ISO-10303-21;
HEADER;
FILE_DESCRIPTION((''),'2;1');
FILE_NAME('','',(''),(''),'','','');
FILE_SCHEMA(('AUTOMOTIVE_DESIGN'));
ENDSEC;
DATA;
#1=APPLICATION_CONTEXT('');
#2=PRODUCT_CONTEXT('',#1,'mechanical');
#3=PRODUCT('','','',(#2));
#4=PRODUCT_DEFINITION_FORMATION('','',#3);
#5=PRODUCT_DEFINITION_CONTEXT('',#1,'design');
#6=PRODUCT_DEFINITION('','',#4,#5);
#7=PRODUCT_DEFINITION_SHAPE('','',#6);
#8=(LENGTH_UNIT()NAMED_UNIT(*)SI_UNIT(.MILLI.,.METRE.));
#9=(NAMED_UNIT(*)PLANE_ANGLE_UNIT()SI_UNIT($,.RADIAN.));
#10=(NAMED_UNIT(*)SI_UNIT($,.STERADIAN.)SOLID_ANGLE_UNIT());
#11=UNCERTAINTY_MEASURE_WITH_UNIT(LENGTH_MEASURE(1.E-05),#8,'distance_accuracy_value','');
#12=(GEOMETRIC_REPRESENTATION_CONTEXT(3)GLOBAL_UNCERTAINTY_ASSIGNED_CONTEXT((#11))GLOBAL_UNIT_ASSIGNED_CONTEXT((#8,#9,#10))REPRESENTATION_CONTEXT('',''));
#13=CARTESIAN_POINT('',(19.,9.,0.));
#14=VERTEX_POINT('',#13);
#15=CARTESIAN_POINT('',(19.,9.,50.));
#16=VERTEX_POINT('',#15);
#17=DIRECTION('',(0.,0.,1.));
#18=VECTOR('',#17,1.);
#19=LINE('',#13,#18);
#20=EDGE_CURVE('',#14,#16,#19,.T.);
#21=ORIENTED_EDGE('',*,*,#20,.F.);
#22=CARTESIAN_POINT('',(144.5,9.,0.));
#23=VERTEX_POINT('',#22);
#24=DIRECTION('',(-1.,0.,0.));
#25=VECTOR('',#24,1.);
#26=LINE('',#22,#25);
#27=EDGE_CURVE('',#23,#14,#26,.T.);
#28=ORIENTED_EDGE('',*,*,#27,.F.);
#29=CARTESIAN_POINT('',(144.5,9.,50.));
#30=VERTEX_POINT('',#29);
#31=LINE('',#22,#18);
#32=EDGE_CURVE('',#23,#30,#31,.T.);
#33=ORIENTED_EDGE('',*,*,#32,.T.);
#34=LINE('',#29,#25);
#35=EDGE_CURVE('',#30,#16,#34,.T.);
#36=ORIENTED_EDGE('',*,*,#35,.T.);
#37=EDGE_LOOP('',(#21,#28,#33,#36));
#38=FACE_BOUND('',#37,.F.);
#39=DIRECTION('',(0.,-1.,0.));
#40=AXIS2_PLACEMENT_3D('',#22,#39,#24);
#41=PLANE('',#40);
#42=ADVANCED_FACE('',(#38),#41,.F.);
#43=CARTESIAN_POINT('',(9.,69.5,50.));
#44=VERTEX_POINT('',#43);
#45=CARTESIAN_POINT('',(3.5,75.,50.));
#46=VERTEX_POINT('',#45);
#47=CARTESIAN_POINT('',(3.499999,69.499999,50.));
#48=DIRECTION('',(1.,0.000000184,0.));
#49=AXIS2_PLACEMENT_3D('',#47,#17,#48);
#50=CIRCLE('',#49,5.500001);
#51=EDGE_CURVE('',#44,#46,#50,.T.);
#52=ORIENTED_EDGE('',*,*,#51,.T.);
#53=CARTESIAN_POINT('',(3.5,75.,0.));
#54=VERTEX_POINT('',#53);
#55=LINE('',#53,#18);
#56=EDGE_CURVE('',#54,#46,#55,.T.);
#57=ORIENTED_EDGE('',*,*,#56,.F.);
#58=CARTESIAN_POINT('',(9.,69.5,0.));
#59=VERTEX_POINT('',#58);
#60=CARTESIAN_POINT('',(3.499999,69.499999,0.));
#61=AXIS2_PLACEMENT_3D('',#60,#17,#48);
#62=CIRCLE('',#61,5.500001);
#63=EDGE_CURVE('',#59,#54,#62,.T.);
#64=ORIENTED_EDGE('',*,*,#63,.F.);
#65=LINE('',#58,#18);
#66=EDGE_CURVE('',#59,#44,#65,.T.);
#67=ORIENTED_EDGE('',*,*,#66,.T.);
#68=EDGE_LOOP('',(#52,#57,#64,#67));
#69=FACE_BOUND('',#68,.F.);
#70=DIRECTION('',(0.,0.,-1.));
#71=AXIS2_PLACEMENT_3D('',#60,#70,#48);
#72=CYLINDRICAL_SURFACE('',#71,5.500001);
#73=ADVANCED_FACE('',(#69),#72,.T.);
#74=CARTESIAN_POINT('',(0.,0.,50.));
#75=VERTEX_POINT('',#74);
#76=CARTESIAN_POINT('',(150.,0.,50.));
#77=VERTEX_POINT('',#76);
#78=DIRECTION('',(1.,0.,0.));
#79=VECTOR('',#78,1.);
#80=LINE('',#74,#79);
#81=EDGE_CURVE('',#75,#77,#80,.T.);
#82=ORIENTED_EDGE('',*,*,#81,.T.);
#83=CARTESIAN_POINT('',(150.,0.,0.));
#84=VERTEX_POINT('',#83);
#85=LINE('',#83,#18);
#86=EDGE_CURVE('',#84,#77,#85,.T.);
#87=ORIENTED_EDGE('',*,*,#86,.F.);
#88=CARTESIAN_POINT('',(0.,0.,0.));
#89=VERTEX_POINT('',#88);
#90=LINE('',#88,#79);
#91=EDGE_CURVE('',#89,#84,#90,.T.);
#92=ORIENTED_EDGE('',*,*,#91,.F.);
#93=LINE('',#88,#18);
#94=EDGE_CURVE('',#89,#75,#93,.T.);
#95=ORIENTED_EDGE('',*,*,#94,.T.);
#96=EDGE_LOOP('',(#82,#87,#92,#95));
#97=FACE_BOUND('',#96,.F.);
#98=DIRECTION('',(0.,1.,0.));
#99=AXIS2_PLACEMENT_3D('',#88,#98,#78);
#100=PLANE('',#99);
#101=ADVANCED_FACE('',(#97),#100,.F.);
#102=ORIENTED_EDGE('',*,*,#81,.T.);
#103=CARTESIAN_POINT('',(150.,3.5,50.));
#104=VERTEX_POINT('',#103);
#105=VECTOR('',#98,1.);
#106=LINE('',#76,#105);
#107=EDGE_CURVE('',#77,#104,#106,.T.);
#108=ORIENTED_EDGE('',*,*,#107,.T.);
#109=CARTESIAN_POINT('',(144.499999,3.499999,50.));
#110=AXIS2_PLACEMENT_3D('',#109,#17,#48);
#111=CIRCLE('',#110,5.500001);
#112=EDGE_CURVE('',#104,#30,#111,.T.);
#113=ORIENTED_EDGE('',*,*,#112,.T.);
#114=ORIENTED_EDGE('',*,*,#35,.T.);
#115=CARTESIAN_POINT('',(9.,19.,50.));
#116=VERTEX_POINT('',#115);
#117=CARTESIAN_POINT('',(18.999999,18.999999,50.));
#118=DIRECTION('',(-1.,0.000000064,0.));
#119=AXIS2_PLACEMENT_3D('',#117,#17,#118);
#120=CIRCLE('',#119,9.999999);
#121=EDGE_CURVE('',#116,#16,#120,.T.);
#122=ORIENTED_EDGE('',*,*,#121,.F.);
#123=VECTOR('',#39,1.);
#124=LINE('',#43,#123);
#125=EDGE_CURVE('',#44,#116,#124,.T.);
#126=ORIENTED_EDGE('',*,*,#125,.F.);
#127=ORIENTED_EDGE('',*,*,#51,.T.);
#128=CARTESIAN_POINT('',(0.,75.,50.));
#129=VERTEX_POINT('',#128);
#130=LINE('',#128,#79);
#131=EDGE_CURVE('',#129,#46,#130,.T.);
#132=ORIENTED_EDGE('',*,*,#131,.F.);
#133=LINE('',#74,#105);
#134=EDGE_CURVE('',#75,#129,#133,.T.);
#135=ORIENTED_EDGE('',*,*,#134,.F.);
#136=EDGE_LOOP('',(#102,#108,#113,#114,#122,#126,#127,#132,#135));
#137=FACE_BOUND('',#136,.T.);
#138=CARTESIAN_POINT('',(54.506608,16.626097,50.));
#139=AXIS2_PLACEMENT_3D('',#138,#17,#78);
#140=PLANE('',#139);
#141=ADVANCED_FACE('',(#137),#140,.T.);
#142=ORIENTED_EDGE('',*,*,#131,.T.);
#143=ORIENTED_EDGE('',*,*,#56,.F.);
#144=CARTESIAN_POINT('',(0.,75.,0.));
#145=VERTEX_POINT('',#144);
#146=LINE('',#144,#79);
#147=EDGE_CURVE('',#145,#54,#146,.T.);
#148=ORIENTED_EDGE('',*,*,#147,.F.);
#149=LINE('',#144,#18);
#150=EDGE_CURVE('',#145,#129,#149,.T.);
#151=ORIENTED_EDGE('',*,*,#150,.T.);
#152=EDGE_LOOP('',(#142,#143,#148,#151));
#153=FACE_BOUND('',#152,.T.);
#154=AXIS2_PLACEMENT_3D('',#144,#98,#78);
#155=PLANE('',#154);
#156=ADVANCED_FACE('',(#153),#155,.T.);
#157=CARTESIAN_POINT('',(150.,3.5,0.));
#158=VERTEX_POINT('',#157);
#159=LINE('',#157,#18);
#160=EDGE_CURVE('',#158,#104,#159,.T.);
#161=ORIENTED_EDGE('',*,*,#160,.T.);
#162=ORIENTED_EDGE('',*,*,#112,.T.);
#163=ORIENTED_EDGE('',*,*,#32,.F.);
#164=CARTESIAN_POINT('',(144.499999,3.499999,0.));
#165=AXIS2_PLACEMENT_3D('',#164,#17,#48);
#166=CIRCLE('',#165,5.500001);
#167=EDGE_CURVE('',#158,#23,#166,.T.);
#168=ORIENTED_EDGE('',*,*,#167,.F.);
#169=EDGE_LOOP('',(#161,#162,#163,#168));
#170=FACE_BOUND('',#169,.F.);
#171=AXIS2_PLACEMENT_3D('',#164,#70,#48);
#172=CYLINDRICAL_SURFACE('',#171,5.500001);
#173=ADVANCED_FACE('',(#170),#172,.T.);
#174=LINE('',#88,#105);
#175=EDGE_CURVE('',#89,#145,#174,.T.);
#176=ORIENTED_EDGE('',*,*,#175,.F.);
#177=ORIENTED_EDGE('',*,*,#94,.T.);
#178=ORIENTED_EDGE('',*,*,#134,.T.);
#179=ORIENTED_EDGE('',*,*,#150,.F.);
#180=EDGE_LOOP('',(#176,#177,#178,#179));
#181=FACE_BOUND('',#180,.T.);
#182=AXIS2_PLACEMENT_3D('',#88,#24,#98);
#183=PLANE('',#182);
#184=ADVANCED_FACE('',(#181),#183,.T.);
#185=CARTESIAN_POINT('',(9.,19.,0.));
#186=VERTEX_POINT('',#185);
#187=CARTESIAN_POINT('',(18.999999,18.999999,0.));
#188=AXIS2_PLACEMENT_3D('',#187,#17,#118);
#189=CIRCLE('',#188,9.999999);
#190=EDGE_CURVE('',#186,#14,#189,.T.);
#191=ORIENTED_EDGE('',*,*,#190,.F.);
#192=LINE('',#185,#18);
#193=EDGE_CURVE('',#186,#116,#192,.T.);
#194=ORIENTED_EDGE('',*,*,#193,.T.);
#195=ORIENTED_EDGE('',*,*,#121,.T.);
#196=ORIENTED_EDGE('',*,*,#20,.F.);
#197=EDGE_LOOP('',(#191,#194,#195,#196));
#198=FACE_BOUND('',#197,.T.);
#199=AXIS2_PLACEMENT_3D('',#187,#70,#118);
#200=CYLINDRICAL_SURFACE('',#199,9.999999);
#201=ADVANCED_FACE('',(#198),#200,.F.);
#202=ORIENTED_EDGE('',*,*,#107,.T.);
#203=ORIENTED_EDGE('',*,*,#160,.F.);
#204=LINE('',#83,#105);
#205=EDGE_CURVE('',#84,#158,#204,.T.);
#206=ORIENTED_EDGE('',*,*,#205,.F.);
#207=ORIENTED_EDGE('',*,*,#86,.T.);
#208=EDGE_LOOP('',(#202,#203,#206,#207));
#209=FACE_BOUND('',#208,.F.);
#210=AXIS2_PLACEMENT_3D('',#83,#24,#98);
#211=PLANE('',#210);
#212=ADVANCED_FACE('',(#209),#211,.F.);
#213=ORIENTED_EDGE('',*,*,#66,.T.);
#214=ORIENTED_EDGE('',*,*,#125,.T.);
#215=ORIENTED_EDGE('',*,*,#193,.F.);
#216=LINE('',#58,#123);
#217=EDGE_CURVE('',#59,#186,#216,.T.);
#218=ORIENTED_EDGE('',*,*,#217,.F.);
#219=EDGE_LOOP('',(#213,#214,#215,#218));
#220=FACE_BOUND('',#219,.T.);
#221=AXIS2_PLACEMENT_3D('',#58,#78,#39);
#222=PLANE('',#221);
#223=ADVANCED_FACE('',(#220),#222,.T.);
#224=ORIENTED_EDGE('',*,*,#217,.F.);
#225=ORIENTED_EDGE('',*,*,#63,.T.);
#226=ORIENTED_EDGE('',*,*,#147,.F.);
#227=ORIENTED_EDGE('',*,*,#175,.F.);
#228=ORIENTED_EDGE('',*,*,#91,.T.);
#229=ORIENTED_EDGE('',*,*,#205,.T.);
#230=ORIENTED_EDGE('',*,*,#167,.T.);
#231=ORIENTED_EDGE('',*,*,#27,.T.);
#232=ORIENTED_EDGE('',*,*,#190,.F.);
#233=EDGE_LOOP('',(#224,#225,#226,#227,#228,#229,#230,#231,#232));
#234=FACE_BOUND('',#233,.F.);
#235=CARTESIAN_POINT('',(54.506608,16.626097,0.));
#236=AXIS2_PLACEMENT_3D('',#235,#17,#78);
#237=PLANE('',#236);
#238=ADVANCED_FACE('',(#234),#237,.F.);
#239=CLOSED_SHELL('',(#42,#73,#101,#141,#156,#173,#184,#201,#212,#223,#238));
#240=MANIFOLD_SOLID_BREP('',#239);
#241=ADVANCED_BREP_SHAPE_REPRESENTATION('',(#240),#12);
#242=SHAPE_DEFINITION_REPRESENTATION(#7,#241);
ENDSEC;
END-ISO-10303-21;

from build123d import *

# Parameters (mm, degrees)
EXTRUDE_DEPTH = 50


with BuildPart() as part:
    # Sketch → Extrude (new body)
    with BuildSketch(Plane.XY):
        with BuildLine():
            Line((0, 0), (150, 0))
            Line((150, 0), (150, 3.5))
            ThreePointArc((150, 3.5), (148.389087, 7.389087), (144.5, 9))
            Line((144.5, 9), (19, 9))
            ThreePointArc((9, 19), (11.928932, 11.928932), (19, 9))
            Line((9, 69.5), (9, 19))
            ThreePointArc((9, 69.5), (7.389087, 73.389087), (3.5, 75))
            Line((0, 75), (3.5, 75))
            Line((0, 0), (0, 75))
        make_face()
    extrude(amount=EXTRUDE_DEPTH)


solid = part.part
